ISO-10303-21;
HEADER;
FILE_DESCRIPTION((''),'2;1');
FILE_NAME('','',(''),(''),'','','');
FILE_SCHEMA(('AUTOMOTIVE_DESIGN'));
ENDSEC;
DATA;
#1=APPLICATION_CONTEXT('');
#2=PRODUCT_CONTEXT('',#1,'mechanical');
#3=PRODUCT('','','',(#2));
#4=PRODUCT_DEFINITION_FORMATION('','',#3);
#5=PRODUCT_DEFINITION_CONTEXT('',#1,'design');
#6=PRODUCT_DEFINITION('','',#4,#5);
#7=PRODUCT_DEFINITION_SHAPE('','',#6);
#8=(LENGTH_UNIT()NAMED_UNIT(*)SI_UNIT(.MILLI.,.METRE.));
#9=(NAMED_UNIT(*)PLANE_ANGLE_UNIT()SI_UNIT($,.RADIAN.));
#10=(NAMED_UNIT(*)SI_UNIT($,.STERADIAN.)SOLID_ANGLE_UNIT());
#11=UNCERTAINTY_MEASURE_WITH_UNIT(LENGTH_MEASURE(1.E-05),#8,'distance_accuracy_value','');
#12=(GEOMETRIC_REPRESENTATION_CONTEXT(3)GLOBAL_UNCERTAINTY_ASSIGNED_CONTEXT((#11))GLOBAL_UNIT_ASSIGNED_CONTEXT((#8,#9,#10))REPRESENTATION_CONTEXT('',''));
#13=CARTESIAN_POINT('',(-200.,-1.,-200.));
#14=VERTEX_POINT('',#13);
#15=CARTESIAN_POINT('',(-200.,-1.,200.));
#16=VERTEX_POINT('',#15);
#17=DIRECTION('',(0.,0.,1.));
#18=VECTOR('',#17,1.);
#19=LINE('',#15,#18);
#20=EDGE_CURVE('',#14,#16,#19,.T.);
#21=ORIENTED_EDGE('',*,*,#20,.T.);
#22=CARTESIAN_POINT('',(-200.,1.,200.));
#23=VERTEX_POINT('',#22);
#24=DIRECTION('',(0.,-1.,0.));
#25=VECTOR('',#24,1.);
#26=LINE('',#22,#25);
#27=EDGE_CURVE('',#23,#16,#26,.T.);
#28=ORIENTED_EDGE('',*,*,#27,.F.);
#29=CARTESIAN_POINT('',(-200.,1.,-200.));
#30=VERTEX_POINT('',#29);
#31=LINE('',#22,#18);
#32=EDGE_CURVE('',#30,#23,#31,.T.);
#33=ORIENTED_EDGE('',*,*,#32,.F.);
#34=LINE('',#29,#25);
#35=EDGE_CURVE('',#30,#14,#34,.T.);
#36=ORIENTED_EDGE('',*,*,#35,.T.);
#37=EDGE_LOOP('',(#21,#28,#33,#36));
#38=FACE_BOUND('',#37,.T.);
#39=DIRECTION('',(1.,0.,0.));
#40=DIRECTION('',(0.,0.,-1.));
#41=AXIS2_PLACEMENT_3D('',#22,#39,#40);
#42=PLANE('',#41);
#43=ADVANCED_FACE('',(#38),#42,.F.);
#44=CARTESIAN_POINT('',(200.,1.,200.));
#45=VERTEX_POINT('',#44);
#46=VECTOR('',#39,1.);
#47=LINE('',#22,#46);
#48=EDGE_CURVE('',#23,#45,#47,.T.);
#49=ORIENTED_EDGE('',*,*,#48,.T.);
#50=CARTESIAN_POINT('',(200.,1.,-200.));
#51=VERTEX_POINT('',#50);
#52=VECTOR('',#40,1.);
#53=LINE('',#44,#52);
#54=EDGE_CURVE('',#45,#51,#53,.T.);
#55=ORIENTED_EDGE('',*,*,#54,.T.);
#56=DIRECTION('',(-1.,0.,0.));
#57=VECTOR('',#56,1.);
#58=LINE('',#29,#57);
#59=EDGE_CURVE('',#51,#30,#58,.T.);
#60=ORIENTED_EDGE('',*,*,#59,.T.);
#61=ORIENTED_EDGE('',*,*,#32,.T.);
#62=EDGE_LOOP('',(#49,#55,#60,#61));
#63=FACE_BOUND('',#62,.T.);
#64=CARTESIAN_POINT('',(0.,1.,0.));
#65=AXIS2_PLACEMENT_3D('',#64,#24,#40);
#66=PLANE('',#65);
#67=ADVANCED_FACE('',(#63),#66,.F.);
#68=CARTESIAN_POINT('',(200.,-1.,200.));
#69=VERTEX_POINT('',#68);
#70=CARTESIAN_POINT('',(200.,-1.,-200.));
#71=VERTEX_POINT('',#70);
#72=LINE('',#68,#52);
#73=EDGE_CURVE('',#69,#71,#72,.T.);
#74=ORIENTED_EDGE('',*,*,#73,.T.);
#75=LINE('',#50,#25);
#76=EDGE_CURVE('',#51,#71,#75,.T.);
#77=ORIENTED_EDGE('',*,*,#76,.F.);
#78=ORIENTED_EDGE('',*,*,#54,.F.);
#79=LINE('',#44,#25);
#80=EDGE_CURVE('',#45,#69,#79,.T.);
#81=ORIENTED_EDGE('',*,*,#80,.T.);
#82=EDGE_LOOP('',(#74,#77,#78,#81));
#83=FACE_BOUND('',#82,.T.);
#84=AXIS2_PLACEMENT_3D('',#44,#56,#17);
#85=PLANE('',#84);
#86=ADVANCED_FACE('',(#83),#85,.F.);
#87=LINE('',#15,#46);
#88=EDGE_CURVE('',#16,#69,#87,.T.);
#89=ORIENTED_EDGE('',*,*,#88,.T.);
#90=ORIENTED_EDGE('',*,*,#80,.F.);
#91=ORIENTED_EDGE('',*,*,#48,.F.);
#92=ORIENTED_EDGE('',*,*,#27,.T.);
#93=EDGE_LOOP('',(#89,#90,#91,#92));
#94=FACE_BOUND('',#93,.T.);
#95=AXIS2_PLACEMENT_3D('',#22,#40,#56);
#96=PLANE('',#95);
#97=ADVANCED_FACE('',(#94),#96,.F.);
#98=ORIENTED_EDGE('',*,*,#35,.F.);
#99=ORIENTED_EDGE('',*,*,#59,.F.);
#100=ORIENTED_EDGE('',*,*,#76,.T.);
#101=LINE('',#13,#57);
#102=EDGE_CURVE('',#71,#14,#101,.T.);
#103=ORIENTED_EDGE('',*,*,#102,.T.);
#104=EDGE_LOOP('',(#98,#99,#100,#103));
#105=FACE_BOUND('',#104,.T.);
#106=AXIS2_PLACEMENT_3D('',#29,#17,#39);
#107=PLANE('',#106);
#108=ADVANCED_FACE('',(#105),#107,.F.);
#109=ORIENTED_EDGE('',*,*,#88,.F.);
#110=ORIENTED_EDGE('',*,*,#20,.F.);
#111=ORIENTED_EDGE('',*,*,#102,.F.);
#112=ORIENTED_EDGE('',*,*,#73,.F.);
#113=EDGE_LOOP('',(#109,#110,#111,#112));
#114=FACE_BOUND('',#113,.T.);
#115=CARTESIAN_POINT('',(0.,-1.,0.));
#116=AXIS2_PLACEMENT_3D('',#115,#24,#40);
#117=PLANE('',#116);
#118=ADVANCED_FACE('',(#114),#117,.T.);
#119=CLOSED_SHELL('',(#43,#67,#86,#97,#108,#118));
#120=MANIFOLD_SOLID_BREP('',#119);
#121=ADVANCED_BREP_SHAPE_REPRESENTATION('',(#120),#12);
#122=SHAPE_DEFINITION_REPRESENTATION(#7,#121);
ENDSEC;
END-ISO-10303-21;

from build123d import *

# Parameters (mm, degrees)
SKETCH_1_W      = 400
SKETCH_1_H      = 400
EXTRUDE_1_DEPTH = 1


with BuildPart() as part:
    # 草图1 → 凸台-拉伸1 (new, symmetric)
    with BuildSketch(Plane(origin=(0, 0, 0), x_dir=(1, 0, 0), z_dir=(0, 1, 0))):
        Rectangle(SKETCH_1_W, SKETCH_1_H)
    extrude(amount=EXTRUDE_1_DEPTH, both=True)


solid = part.part
